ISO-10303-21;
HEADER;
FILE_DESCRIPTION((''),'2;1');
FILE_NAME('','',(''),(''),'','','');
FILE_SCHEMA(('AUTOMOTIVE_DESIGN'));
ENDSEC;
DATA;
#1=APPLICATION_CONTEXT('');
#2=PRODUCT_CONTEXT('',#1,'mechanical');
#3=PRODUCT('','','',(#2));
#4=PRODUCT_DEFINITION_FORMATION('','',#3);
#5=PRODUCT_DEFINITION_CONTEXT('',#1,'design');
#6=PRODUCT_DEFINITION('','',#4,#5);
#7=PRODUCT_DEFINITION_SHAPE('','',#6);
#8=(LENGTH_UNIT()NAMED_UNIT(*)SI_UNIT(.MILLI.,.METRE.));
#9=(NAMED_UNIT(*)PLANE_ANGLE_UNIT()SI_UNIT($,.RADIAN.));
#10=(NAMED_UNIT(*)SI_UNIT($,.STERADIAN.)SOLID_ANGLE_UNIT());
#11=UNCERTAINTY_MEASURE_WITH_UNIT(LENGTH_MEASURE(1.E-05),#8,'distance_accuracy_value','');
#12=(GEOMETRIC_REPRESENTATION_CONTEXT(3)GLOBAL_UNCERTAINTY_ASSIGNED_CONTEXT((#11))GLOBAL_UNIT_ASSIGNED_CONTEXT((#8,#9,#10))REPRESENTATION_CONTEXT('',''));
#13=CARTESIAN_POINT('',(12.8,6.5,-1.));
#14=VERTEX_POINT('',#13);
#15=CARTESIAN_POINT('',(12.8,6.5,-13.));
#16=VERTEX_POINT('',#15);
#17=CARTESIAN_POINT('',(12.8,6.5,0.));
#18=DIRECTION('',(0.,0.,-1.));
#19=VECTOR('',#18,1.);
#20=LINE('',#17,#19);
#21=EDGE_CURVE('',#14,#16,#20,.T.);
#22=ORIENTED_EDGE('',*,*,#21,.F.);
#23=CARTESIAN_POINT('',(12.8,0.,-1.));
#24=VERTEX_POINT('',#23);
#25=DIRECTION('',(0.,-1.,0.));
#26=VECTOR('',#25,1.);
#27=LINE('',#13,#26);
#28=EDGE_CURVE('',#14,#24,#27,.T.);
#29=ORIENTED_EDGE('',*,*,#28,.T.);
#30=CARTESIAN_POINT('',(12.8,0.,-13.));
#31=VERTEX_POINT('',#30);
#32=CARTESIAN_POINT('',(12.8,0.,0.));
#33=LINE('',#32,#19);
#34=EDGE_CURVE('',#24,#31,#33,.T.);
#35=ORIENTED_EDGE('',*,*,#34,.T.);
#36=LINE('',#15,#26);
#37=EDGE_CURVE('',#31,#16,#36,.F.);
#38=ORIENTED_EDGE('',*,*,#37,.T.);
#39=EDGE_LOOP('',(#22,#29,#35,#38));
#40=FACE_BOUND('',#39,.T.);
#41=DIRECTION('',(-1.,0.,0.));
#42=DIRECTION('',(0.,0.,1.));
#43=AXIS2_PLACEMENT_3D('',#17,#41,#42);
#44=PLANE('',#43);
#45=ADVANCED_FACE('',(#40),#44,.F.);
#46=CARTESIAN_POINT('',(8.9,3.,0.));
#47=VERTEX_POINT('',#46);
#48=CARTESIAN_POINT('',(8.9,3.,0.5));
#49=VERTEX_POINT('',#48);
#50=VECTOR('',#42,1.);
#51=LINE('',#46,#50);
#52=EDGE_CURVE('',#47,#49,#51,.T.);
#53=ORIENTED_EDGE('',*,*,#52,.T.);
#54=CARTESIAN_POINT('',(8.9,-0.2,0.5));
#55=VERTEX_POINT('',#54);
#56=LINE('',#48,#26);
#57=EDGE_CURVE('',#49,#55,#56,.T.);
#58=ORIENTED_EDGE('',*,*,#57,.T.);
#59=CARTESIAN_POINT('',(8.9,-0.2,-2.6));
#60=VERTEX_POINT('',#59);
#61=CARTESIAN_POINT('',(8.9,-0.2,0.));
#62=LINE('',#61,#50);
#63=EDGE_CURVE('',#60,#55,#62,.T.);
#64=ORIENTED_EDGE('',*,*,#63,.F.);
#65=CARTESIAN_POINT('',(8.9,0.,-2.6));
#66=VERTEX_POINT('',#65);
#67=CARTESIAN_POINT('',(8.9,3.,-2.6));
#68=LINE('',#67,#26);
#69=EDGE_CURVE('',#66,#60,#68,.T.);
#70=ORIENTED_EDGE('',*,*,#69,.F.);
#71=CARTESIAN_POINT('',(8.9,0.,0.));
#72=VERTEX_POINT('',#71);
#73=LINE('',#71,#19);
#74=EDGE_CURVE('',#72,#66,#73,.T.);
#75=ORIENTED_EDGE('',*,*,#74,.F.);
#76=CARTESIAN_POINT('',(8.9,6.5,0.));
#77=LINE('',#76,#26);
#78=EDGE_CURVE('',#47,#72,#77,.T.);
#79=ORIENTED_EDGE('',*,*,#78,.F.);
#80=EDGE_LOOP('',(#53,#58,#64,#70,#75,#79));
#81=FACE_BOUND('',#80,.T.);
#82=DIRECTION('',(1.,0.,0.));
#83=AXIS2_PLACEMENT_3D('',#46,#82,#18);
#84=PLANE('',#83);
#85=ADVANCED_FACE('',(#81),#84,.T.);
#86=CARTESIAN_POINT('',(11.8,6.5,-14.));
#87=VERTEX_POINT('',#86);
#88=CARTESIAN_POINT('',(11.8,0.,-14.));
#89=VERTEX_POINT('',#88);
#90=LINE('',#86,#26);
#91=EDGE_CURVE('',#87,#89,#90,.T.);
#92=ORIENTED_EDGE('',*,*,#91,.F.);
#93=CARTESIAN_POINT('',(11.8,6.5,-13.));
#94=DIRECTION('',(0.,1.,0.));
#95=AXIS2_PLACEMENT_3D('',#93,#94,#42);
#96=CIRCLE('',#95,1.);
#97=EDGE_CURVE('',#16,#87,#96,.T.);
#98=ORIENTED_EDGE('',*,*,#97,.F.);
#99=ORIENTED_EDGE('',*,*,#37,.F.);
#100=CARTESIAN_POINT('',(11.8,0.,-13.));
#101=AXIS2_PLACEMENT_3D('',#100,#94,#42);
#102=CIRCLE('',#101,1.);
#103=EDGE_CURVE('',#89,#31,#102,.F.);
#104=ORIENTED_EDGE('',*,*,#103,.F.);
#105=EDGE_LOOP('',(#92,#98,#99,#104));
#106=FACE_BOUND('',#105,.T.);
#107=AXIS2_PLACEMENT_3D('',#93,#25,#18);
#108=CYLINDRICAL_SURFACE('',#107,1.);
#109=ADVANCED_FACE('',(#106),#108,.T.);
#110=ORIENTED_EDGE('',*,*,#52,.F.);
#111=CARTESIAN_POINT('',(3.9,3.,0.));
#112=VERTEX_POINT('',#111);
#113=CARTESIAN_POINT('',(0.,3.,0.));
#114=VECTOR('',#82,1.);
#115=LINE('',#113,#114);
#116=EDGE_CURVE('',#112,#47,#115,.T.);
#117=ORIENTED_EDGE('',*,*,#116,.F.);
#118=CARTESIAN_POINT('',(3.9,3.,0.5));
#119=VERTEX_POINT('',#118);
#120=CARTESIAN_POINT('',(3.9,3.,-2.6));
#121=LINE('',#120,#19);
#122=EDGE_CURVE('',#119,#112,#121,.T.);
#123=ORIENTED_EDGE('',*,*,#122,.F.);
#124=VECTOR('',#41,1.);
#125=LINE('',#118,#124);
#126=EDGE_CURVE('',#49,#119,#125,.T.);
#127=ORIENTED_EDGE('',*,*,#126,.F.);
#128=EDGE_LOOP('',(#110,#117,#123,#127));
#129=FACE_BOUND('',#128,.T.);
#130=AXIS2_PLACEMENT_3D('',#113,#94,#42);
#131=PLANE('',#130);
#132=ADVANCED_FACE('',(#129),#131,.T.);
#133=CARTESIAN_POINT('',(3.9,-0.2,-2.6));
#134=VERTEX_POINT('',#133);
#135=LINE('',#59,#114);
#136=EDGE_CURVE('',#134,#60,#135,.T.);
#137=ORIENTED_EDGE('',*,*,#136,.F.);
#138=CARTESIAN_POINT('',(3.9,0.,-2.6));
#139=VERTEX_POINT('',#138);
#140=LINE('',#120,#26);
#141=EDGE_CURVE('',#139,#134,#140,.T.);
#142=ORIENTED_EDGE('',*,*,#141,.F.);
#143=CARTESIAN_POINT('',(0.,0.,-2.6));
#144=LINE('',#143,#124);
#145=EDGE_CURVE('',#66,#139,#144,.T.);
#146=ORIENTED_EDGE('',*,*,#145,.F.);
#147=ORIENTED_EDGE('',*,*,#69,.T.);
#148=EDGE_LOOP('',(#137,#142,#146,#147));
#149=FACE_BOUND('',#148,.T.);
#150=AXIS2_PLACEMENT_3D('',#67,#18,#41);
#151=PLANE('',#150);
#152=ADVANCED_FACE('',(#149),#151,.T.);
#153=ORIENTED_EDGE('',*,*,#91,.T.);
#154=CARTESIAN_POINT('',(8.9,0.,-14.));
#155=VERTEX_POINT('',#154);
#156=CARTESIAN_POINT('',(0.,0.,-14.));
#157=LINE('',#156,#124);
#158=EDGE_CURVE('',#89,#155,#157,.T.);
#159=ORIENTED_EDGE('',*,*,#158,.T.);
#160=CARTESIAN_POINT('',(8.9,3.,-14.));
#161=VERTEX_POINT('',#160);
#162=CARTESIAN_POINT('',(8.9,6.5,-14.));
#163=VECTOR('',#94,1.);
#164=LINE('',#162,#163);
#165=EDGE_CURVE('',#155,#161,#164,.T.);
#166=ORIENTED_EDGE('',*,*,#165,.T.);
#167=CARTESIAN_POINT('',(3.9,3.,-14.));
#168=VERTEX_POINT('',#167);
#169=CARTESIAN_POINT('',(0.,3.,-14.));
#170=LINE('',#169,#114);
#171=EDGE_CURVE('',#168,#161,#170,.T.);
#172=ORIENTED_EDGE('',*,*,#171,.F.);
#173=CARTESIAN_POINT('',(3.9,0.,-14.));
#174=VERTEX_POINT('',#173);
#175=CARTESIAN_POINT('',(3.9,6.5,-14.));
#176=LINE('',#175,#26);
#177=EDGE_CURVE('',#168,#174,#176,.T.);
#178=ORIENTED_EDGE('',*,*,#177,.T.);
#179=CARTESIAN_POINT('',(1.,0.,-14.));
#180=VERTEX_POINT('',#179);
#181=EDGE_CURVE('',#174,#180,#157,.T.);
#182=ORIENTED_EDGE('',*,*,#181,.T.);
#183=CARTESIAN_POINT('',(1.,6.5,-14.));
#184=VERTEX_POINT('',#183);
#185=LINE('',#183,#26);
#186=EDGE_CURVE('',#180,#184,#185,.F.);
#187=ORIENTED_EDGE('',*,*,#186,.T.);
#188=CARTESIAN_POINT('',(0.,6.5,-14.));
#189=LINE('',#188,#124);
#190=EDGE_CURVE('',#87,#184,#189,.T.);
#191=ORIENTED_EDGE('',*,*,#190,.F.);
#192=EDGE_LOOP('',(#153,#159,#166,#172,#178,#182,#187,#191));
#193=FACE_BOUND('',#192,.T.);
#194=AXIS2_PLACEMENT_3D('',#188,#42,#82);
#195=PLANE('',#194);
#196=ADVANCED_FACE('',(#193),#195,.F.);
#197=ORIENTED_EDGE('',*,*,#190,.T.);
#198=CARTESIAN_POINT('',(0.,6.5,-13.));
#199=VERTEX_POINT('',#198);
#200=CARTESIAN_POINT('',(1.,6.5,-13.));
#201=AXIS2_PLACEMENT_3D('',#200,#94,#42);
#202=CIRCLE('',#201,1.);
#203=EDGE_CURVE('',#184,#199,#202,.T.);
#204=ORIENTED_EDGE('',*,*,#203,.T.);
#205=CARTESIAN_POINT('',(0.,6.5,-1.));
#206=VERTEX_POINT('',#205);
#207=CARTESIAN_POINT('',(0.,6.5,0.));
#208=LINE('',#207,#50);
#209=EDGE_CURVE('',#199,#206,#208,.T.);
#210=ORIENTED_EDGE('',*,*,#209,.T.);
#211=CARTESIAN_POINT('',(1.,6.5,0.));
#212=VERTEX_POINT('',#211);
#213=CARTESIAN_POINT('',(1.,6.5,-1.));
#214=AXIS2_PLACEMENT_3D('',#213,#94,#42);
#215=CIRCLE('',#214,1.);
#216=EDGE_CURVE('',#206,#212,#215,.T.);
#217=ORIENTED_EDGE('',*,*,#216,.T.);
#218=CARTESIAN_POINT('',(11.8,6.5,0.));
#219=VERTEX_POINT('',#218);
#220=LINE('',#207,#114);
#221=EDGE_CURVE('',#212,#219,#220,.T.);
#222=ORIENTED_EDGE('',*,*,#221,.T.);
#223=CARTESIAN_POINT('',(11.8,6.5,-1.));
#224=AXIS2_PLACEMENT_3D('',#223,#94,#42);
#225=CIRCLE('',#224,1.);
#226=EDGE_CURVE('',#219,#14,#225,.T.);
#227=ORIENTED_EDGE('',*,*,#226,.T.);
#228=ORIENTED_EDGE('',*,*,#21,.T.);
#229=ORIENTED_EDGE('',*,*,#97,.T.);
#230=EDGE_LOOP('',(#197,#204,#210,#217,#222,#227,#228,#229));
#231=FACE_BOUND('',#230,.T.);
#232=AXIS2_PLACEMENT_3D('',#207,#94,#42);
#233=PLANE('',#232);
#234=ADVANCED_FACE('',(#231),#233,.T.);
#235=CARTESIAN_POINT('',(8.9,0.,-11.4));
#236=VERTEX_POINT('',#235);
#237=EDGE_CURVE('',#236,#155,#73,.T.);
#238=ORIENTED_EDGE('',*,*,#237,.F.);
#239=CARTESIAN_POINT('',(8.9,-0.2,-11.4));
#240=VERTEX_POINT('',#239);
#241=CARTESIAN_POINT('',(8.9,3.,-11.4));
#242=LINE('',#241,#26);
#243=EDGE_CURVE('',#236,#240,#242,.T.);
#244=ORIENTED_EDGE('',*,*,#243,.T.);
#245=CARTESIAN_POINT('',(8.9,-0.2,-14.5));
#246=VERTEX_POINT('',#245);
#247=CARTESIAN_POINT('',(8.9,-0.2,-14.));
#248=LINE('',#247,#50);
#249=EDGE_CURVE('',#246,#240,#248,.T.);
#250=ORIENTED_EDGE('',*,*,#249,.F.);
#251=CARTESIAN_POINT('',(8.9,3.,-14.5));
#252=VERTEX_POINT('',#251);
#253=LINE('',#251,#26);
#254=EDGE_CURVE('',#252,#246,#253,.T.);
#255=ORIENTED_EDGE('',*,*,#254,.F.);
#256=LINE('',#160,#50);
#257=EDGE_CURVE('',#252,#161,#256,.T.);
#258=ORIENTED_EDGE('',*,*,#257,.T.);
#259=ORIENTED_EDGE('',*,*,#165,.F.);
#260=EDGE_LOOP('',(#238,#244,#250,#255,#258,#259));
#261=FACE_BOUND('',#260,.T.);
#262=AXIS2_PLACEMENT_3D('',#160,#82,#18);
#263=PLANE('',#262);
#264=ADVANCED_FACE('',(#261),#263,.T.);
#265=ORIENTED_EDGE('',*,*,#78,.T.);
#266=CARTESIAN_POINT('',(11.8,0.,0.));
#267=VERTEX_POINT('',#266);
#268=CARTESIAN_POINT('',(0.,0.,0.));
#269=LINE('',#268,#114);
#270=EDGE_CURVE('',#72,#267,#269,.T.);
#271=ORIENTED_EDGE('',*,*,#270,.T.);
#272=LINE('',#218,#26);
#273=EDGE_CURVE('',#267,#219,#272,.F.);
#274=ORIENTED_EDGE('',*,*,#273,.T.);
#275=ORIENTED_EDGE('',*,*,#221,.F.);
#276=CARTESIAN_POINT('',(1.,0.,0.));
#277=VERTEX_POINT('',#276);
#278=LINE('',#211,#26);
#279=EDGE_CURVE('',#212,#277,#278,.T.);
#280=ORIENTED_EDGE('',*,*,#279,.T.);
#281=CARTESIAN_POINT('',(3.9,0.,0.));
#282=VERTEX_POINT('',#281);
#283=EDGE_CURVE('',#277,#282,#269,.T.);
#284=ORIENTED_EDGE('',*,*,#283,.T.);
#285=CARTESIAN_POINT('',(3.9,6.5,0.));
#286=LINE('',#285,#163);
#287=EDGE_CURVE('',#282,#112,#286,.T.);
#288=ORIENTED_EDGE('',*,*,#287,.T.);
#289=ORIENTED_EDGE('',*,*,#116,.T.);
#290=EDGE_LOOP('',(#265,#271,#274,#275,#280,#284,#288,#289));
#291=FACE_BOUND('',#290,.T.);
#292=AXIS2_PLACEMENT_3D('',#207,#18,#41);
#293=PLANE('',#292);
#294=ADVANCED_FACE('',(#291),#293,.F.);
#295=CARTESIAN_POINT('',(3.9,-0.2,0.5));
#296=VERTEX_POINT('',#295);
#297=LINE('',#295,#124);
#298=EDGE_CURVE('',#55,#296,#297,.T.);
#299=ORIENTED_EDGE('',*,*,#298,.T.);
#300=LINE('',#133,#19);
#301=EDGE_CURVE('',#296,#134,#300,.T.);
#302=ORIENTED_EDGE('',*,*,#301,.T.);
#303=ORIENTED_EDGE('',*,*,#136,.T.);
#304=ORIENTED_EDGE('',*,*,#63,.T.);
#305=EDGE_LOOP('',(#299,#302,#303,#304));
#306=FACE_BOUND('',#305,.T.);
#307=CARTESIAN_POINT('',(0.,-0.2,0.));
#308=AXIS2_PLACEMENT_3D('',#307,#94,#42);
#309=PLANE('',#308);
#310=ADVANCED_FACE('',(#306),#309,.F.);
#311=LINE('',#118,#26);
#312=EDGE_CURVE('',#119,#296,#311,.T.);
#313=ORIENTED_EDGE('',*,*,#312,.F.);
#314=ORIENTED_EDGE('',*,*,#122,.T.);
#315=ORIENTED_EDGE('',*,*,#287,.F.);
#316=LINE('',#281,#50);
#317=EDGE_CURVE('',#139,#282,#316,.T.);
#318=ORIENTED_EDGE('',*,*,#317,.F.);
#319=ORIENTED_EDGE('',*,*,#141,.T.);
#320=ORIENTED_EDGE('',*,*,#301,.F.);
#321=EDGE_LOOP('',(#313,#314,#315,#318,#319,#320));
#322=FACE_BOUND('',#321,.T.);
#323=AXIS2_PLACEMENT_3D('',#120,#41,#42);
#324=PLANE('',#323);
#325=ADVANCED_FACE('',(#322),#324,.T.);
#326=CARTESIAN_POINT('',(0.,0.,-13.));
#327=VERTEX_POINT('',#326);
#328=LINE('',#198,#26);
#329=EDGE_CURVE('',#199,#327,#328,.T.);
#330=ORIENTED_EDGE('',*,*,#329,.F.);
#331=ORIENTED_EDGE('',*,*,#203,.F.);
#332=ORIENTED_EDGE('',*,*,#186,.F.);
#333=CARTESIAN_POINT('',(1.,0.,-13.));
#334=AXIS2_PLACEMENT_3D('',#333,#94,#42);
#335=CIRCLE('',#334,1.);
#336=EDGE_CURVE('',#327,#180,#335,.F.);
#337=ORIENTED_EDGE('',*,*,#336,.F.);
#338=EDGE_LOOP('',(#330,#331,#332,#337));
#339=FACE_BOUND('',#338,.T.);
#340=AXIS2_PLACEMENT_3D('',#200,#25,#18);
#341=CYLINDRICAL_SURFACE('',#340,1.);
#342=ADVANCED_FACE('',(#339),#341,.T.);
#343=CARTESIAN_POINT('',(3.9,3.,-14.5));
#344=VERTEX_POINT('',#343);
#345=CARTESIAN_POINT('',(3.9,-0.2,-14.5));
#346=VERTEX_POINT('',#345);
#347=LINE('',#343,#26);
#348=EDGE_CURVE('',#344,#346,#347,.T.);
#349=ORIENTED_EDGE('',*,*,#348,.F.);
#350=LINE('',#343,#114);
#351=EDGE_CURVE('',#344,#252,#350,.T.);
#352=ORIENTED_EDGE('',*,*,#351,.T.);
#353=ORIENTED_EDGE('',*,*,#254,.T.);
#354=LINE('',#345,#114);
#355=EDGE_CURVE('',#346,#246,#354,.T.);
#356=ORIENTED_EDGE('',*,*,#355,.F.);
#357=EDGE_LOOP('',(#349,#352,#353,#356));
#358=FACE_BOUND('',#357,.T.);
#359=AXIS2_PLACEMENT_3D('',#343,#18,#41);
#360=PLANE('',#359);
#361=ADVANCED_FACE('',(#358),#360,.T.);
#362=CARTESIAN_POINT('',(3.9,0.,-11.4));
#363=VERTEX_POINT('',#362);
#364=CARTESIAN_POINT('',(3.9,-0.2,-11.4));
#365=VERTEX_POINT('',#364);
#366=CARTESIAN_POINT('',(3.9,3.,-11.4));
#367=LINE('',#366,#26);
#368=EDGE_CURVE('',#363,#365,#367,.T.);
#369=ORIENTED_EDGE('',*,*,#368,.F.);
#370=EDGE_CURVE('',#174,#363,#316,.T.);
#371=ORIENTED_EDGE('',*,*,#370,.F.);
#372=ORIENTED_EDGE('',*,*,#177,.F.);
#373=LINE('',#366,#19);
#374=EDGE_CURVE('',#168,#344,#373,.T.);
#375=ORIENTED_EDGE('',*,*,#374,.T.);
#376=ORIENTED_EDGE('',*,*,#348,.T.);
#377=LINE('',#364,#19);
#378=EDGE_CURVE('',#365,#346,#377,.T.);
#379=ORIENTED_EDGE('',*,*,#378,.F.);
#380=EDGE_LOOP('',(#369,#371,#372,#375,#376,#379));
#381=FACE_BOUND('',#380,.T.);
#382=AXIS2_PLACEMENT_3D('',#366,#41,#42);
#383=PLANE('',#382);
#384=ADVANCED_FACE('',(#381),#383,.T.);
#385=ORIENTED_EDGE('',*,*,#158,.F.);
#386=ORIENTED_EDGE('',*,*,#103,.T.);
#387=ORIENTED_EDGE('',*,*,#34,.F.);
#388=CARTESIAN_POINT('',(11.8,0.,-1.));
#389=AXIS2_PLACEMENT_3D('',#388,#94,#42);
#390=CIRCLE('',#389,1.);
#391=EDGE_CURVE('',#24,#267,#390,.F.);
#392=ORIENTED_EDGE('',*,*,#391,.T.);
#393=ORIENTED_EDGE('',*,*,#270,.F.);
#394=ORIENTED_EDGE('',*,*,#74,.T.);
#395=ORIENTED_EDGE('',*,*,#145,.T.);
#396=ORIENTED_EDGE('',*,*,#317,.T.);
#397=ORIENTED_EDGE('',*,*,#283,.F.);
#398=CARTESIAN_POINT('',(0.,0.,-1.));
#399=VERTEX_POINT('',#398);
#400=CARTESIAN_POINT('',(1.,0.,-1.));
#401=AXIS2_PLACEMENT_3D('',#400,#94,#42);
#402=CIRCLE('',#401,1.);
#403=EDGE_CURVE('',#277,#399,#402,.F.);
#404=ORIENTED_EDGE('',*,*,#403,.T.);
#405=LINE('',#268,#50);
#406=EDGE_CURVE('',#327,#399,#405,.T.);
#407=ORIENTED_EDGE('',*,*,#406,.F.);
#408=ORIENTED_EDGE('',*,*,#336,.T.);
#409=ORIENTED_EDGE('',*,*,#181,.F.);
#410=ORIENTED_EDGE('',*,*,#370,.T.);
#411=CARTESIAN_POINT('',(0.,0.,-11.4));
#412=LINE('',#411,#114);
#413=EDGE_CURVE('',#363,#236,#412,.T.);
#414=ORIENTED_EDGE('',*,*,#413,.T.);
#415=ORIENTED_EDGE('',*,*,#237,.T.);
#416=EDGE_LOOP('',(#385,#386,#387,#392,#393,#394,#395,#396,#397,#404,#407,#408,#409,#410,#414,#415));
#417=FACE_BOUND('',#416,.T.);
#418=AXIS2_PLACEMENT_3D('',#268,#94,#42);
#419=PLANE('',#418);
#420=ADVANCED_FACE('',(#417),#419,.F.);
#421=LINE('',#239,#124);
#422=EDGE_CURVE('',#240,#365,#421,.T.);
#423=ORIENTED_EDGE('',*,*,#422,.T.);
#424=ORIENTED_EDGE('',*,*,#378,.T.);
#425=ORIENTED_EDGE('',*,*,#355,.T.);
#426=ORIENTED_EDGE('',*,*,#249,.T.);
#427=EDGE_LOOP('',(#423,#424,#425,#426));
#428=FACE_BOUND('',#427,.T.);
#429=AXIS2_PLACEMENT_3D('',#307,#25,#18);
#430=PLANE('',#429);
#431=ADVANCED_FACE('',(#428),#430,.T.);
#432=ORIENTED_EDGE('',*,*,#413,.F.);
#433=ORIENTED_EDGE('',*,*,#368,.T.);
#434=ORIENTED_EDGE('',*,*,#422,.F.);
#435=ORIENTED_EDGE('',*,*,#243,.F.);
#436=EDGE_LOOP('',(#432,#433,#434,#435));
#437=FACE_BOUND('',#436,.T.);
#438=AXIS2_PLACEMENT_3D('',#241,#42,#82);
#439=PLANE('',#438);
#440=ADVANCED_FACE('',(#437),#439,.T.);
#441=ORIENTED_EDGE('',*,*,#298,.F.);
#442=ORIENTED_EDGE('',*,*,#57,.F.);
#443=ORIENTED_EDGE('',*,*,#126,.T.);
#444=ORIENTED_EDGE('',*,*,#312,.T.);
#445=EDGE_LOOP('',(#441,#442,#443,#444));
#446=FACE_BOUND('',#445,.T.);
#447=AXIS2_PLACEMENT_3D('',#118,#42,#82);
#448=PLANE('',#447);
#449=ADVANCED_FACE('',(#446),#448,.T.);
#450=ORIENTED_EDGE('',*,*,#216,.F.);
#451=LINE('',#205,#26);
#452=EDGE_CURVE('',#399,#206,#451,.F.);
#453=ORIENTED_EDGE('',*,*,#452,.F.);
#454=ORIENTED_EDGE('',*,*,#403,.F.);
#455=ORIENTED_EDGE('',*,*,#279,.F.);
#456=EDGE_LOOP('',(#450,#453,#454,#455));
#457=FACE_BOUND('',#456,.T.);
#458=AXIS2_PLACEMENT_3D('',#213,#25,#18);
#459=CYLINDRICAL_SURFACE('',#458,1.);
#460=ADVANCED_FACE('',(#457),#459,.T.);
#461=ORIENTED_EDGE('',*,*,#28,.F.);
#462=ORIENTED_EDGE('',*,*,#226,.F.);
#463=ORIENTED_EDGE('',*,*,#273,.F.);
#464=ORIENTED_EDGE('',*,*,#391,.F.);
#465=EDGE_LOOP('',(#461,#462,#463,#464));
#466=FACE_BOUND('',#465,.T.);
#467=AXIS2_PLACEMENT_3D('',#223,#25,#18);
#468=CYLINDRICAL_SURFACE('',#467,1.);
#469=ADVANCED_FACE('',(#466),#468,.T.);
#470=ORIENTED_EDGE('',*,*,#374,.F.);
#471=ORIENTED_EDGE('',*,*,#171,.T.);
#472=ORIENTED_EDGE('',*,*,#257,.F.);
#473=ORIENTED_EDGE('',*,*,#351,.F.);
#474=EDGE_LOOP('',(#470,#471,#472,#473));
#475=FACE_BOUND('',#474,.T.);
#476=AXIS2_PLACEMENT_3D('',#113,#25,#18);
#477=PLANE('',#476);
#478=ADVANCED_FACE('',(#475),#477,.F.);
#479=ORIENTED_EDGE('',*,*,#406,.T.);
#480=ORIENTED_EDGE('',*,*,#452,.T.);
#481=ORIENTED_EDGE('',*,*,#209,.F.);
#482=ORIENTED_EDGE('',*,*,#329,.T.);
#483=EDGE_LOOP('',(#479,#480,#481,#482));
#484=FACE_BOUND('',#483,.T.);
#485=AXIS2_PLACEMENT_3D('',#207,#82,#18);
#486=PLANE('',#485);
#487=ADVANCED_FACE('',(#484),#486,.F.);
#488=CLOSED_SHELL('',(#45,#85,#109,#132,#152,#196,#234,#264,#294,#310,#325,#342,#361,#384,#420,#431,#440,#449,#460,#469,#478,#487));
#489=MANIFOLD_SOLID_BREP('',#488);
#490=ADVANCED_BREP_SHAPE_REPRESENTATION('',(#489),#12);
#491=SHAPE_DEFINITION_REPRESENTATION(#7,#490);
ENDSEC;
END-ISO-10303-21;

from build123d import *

# Parameters (mm, degrees)
SKETCH1_W                = 12.8
SKETCH1_H                = 14
BOSS_EXTRUDE1_DEPTH      = 6.5
FILLET1_R                = 1
BOSS_EXTRUDE2_DEPTH      = 0.2
BOSS_EXTRUDE2_DEPTH_BACK = 3


with BuildPart() as part:
    # Sketch1 → Boss-Extrude1 (new body)
    with BuildSketch(Plane(origin=(0, 0, 0), x_dir=(1, 0, 0), z_dir=(0, 1, 0))):
        with Locations((6.4, 7)):
            Rectangle(SKETCH1_W, SKETCH1_H)
    extrude(amount=BOSS_EXTRUDE1_DEPTH)

    # Fillet1
    fillet1_edges = [part.edges().sort_by_distance(p)[0] for p in [
        (0, 3.25, 0),
        (0, 3.25, -14),
        (12.8, 3.25, -14),
        (12.8, 3.25, 0),
    ]]
    fillet(fillet1_edges, radius=FILLET1_R)

    # Sketch2 → Boss-Extrude2 (add, two sides: drawn at the far end of the back side and taken through both)
    with BuildSketch(Plane.XZ.offset(-BOSS_EXTRUDE2_DEPTH_BACK)):
        Polygon((8.9, 0), (8.9, -2.6), (3.9, -2.6), (3.9, 0.5), (8.9, 0.5), align=None)
        Polygon((3.9, -14.5), (8.9, -14.5), (8.9, -14), (8.9, -11.4), (3.9, -11.4), align=None)
    extrude(amount=BOSS_EXTRUDE2_DEPTH + BOSS_EXTRUDE2_DEPTH_BACK)


solid = part.part
